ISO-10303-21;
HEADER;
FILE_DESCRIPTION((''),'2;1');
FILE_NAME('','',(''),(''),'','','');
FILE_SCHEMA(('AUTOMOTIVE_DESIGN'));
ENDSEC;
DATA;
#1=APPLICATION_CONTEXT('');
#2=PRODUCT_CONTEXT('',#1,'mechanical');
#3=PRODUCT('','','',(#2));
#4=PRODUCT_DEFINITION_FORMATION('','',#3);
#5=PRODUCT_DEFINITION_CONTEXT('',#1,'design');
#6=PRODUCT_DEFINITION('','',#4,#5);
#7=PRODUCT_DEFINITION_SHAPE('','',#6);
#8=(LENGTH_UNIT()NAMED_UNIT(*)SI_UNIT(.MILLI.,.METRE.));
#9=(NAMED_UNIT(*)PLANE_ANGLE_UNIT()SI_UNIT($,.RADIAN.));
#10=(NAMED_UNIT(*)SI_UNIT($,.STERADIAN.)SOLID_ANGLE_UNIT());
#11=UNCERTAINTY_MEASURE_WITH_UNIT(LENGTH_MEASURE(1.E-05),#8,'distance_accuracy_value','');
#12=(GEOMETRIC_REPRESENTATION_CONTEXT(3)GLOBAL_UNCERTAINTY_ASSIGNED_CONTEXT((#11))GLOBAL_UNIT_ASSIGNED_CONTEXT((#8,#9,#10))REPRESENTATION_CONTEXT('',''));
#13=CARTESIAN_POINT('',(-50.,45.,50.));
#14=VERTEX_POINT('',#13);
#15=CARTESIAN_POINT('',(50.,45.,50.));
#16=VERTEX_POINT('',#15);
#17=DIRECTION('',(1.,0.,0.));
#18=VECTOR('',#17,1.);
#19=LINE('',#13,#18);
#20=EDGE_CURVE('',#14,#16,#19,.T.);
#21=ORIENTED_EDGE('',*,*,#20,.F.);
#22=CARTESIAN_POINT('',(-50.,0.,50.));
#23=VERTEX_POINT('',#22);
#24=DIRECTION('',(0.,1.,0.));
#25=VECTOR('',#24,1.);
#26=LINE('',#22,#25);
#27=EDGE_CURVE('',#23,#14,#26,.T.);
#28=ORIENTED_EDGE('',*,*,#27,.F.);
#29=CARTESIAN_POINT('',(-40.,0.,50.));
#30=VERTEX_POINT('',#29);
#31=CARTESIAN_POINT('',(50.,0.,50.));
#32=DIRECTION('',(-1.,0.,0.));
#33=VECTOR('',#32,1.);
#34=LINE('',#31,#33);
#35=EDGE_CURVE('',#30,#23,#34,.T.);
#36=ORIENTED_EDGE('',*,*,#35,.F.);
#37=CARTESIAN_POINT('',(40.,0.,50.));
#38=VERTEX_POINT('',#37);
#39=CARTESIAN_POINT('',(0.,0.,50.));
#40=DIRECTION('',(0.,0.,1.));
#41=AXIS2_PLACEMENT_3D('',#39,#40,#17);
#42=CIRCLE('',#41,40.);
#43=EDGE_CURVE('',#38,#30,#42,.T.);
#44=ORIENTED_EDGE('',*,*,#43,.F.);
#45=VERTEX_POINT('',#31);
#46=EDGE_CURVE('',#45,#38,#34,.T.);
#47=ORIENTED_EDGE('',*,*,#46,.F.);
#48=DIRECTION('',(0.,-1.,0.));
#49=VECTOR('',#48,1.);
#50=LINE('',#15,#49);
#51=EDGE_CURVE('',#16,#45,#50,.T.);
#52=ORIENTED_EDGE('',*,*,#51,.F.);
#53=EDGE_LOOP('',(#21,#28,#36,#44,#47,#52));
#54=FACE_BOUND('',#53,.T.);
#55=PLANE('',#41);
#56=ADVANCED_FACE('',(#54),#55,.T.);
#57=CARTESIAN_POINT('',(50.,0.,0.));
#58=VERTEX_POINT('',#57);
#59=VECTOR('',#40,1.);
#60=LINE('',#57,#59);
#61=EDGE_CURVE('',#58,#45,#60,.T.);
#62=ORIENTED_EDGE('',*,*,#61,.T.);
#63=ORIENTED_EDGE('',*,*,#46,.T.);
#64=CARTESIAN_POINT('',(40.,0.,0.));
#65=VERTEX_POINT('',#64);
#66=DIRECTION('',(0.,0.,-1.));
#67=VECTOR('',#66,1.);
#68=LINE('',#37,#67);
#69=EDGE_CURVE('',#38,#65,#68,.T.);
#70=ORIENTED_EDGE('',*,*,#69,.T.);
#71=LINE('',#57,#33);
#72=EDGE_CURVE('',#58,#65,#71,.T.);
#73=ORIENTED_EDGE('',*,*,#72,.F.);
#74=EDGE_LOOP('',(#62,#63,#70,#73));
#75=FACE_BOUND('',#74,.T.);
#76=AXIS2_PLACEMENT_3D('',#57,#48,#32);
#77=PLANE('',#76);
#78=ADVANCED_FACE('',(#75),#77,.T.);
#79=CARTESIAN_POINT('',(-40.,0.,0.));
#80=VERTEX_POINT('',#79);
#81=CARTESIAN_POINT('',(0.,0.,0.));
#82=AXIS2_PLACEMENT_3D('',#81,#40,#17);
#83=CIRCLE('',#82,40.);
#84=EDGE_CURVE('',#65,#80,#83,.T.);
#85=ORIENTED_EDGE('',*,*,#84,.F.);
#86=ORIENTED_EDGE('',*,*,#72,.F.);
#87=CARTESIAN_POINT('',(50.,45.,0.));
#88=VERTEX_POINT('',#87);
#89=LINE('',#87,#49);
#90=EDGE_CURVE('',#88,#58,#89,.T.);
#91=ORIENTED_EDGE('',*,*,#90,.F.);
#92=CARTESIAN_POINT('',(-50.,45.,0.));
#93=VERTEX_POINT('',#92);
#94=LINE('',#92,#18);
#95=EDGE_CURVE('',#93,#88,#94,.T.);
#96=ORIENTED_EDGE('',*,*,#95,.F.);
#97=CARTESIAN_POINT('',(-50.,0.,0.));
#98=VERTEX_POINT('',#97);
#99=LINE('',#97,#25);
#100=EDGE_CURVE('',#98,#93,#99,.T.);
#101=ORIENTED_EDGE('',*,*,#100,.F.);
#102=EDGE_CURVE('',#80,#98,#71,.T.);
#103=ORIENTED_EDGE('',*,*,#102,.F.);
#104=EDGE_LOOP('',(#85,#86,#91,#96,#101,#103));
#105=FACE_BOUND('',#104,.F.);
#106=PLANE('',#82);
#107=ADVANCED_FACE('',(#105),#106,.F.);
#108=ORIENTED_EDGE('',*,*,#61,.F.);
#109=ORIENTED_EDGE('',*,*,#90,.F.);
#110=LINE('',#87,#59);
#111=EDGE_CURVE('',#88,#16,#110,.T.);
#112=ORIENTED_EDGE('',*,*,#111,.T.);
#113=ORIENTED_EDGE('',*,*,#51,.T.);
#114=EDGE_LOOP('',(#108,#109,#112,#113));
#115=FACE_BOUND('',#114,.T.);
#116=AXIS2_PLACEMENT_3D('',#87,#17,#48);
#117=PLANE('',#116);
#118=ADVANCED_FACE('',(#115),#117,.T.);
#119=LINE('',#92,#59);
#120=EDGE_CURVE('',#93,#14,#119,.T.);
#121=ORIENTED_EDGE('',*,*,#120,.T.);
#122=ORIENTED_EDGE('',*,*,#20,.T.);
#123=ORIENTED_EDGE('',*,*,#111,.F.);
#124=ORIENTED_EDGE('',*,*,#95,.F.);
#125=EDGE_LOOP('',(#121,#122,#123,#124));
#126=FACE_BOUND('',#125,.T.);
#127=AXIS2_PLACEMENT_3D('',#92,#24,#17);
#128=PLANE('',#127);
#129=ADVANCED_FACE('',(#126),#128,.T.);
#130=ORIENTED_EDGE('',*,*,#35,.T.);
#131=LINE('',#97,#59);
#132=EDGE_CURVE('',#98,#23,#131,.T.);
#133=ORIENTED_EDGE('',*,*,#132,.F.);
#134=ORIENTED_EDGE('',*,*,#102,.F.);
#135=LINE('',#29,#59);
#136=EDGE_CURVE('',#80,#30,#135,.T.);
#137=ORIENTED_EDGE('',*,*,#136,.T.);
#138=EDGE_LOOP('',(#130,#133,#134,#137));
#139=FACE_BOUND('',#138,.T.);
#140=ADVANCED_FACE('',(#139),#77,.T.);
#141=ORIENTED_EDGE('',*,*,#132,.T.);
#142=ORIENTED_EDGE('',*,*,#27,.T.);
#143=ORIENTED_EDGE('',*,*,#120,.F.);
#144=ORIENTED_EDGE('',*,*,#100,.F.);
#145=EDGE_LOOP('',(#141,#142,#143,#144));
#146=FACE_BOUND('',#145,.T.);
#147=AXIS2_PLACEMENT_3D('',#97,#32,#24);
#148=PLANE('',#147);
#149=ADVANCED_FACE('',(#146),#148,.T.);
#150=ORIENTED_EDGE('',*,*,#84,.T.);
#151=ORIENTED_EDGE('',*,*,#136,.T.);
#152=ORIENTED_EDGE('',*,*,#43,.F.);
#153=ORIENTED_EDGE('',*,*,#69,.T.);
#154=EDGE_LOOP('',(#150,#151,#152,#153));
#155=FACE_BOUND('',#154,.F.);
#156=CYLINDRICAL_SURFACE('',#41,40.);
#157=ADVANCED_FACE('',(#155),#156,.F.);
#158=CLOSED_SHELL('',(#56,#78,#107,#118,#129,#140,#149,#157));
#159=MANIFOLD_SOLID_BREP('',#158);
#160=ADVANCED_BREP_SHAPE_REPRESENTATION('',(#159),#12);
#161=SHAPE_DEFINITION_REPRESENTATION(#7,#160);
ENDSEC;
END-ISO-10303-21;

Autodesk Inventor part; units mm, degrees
ref_plane "YZ Plane" through (0, 0, 0) normal (1, 0, 0) x (0, 1, 0)
ref_plane "XZ Plane" through (0, 0, 0) normal (0, 1, 0) x (-1, 0, 0)
ref_plane "XY Plane" through (0, 0, 0) normal (0, 0, 1) x (1, 0, 0)
sketch "Sketch13" plane through (0, 0, 0) normal (0, 0, 1) x (1, 0, 0)
  line L0 (-50, 45) -> (50, 45)
  line L1 (50, 45) -> (50, 0)
  line L2 (50, 0) -> (-50, 0)
  line L3 (-50, 0) -> (-50, 45)
  line L4 (-50, 45) -> (50, 0) construction
  line L5 (50, 45) -> (-50, 0) construction
  point P0 (0, 0)
  point P1 (0, 22.5)
  dimension "d42" = 100
  dimension "d43" = 45
extrude "Extrusion11" add sketch "Sketch13" along normal blind 50
sketch "Sketch14" plane through (0, 0, 50) normal (0, 0, 1) x (1, 0, 0)
  circle A0 centre (0, 0) radius 40
  dimension "d46" = 80
extrude "Extrusion12" cut sketch "Sketch14" against normal blind 50
sketch "Sketch15" plane through (0, 0, 50) normal (0, 0, 1) x (1, 0, 0)
  point P0 (0, 0)
properties part number "pipe_holder_v02"
